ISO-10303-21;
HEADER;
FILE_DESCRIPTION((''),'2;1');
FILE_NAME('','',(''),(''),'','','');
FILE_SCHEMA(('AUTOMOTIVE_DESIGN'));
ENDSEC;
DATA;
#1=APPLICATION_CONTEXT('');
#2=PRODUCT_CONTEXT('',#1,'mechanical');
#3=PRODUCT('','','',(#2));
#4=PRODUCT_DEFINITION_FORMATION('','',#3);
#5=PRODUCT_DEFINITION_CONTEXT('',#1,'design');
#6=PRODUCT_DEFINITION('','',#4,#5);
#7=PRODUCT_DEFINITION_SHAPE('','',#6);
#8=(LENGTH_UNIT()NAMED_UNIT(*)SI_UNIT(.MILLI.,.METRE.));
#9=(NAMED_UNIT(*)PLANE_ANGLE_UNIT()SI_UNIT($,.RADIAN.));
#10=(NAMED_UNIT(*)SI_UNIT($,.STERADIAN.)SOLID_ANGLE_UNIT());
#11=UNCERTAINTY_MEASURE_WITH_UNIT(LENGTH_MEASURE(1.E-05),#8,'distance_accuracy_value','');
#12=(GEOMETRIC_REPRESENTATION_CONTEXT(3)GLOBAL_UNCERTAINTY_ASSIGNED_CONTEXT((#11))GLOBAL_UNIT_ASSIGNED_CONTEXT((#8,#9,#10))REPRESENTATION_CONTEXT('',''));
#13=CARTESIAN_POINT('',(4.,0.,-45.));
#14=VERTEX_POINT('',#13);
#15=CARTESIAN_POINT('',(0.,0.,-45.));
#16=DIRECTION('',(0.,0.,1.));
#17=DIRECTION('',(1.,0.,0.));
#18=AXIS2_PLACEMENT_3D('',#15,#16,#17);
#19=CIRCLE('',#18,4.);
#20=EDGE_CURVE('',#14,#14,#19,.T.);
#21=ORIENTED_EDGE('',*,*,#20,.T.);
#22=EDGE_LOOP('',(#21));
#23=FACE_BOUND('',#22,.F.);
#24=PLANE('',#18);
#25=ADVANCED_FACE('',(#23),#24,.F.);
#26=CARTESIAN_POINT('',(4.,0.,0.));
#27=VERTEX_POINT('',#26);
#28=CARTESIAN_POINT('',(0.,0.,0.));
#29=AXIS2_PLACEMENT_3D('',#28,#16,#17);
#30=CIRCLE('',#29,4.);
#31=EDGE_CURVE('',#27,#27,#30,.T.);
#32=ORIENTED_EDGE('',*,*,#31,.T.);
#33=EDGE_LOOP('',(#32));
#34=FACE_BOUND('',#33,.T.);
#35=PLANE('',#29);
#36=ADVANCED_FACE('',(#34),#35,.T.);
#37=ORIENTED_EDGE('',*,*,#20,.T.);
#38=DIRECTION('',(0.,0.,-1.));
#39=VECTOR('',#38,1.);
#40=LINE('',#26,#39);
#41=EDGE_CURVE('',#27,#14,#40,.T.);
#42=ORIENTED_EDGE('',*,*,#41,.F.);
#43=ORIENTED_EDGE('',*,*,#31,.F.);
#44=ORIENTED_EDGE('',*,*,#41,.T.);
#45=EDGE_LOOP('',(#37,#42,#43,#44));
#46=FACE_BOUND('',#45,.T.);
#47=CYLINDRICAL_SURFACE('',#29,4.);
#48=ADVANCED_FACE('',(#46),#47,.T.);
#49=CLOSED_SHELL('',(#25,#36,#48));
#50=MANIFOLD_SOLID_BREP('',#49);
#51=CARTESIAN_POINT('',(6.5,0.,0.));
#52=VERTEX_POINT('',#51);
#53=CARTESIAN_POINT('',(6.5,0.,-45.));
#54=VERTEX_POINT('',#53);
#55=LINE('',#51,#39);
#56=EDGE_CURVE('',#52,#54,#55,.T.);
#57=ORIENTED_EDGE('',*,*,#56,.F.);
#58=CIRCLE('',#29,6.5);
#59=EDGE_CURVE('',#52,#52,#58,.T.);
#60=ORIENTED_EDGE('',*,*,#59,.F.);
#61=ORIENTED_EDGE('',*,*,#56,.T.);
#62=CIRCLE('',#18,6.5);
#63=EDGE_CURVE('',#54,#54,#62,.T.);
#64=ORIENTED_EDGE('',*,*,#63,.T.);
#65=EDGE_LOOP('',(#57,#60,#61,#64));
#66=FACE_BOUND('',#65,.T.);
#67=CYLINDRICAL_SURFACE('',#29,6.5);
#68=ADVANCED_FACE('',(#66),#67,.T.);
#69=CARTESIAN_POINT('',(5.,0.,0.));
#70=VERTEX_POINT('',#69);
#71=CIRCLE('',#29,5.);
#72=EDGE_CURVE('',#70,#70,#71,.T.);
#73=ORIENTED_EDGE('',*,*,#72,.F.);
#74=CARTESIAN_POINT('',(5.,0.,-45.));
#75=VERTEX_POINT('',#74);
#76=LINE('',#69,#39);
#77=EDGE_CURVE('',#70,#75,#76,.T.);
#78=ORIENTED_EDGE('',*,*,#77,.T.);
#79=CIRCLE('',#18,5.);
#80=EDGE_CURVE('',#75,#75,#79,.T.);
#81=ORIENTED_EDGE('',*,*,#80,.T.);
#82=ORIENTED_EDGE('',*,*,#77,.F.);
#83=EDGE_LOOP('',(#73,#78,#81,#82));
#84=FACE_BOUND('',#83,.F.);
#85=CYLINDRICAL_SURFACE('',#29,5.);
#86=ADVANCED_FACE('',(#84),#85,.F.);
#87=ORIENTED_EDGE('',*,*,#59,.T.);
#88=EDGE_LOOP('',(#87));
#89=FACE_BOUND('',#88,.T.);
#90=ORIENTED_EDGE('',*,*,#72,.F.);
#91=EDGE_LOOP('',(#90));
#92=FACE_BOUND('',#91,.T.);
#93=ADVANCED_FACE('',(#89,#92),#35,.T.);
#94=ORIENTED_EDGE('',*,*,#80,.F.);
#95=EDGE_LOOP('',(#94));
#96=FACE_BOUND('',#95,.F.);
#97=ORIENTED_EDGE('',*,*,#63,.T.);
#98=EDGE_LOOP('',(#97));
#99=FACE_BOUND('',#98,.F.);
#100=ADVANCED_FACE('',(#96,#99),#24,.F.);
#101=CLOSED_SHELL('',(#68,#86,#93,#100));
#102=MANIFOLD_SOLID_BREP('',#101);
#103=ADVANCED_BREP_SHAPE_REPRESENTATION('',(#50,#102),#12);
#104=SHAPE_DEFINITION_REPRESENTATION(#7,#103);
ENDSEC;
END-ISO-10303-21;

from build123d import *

# Parameters (mm, degrees)
F0_R     = 4
F1_DEPTH = 45
F0_R_2   = 6.5
F0_R_3   = 5


with BuildPart() as f1:
    # F0 (on Top) → F1 (new body)
    with BuildSketch(Plane.XY):
        Circle(F0_R)
    extrude(amount=-F1_DEPTH)


with BuildPart() as f1b:
    # F0 (on Top) → F1, piece 2 (new body)
    with BuildSketch(Plane.XY):
        Circle(F0_R_2)
        Circle(F0_R_3, mode=Mode.SUBTRACT)
    extrude(amount=-F1_DEPTH)


solid = Compound([f1.part, f1b.part])
